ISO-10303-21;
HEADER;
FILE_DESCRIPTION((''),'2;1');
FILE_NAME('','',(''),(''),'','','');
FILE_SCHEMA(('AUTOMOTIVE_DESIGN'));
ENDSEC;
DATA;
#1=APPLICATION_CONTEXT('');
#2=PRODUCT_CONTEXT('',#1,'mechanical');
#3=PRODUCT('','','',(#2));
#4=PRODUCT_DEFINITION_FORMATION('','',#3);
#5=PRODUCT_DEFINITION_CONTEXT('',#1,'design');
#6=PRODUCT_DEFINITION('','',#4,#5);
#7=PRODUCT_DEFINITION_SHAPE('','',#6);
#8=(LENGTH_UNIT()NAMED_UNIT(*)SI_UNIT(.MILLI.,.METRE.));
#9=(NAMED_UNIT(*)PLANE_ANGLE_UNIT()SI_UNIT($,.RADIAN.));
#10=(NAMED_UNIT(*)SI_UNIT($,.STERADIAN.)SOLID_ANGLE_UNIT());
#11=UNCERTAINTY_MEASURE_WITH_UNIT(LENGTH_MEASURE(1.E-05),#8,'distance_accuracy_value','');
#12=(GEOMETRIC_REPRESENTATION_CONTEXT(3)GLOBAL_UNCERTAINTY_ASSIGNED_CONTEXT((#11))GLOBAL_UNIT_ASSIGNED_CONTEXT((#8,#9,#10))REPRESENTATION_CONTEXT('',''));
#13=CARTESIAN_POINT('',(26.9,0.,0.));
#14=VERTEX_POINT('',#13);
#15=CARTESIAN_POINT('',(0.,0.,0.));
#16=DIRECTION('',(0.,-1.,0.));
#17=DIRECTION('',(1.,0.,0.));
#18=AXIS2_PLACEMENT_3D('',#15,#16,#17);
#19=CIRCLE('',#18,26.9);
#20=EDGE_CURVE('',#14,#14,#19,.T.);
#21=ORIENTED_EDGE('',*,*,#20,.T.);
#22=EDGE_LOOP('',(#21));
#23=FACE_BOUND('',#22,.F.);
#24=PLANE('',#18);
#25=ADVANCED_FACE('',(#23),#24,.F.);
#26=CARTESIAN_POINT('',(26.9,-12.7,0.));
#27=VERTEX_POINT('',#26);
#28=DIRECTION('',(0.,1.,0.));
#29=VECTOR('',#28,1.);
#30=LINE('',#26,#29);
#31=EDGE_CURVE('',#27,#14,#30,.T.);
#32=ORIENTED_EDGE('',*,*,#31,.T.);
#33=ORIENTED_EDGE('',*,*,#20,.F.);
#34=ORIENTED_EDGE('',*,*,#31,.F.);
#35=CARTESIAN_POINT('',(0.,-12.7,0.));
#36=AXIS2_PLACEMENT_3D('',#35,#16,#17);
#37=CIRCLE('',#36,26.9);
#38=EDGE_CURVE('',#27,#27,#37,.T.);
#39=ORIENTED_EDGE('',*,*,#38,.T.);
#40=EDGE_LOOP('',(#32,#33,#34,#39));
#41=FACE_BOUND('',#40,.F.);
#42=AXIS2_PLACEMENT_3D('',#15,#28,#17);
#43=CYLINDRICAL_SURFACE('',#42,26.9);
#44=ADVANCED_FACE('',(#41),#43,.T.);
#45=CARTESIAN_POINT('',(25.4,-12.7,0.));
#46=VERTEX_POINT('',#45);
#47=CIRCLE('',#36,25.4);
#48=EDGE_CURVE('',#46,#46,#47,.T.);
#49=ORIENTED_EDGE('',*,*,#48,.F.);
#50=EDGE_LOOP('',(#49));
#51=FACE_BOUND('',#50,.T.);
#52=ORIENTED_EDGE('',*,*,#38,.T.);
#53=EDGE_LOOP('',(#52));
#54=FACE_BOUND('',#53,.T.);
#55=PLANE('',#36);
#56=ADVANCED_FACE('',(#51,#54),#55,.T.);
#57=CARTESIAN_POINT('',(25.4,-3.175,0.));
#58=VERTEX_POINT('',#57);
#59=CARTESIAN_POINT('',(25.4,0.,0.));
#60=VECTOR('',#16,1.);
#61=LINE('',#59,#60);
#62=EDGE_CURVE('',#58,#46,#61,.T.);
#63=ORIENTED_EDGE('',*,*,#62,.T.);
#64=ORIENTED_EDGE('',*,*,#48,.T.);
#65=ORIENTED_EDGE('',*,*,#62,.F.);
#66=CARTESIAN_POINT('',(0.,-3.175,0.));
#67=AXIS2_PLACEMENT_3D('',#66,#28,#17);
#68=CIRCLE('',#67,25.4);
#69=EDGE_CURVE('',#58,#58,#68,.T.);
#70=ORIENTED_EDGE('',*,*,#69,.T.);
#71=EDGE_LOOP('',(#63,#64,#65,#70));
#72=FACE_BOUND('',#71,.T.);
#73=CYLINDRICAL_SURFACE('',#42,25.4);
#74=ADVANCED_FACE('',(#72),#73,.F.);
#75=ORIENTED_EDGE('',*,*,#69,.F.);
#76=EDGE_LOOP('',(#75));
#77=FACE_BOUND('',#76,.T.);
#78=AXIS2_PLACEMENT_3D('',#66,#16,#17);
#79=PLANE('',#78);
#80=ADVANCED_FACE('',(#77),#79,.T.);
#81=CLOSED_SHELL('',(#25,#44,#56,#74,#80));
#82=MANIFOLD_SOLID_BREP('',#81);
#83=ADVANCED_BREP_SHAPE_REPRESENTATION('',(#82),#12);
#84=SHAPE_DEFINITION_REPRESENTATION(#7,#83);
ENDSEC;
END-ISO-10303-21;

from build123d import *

# Parameters (mm, degrees)
F0_R     = 26.9
F0_R_2   = 25.4
F1_DEPTH = 3.175
F2_DEPTH = 12.7


with BuildPart() as f1:
    # F0 (on Front) → F1 (new body)
    with BuildSketch(Plane.XZ):
        Circle(F0_R)
        Circle(F0_R_2, mode=Mode.SUBTRACT)
        Circle(F0_R_2)
    extrude(amount=F1_DEPTH)

    # F0 (on Front) → F2 (join)
    with BuildSketch(Plane.XZ):
        Circle(F0_R)
        Circle(F0_R_2, mode=Mode.SUBTRACT)
    extrude(amount=F2_DEPTH)


solid = f1.part
